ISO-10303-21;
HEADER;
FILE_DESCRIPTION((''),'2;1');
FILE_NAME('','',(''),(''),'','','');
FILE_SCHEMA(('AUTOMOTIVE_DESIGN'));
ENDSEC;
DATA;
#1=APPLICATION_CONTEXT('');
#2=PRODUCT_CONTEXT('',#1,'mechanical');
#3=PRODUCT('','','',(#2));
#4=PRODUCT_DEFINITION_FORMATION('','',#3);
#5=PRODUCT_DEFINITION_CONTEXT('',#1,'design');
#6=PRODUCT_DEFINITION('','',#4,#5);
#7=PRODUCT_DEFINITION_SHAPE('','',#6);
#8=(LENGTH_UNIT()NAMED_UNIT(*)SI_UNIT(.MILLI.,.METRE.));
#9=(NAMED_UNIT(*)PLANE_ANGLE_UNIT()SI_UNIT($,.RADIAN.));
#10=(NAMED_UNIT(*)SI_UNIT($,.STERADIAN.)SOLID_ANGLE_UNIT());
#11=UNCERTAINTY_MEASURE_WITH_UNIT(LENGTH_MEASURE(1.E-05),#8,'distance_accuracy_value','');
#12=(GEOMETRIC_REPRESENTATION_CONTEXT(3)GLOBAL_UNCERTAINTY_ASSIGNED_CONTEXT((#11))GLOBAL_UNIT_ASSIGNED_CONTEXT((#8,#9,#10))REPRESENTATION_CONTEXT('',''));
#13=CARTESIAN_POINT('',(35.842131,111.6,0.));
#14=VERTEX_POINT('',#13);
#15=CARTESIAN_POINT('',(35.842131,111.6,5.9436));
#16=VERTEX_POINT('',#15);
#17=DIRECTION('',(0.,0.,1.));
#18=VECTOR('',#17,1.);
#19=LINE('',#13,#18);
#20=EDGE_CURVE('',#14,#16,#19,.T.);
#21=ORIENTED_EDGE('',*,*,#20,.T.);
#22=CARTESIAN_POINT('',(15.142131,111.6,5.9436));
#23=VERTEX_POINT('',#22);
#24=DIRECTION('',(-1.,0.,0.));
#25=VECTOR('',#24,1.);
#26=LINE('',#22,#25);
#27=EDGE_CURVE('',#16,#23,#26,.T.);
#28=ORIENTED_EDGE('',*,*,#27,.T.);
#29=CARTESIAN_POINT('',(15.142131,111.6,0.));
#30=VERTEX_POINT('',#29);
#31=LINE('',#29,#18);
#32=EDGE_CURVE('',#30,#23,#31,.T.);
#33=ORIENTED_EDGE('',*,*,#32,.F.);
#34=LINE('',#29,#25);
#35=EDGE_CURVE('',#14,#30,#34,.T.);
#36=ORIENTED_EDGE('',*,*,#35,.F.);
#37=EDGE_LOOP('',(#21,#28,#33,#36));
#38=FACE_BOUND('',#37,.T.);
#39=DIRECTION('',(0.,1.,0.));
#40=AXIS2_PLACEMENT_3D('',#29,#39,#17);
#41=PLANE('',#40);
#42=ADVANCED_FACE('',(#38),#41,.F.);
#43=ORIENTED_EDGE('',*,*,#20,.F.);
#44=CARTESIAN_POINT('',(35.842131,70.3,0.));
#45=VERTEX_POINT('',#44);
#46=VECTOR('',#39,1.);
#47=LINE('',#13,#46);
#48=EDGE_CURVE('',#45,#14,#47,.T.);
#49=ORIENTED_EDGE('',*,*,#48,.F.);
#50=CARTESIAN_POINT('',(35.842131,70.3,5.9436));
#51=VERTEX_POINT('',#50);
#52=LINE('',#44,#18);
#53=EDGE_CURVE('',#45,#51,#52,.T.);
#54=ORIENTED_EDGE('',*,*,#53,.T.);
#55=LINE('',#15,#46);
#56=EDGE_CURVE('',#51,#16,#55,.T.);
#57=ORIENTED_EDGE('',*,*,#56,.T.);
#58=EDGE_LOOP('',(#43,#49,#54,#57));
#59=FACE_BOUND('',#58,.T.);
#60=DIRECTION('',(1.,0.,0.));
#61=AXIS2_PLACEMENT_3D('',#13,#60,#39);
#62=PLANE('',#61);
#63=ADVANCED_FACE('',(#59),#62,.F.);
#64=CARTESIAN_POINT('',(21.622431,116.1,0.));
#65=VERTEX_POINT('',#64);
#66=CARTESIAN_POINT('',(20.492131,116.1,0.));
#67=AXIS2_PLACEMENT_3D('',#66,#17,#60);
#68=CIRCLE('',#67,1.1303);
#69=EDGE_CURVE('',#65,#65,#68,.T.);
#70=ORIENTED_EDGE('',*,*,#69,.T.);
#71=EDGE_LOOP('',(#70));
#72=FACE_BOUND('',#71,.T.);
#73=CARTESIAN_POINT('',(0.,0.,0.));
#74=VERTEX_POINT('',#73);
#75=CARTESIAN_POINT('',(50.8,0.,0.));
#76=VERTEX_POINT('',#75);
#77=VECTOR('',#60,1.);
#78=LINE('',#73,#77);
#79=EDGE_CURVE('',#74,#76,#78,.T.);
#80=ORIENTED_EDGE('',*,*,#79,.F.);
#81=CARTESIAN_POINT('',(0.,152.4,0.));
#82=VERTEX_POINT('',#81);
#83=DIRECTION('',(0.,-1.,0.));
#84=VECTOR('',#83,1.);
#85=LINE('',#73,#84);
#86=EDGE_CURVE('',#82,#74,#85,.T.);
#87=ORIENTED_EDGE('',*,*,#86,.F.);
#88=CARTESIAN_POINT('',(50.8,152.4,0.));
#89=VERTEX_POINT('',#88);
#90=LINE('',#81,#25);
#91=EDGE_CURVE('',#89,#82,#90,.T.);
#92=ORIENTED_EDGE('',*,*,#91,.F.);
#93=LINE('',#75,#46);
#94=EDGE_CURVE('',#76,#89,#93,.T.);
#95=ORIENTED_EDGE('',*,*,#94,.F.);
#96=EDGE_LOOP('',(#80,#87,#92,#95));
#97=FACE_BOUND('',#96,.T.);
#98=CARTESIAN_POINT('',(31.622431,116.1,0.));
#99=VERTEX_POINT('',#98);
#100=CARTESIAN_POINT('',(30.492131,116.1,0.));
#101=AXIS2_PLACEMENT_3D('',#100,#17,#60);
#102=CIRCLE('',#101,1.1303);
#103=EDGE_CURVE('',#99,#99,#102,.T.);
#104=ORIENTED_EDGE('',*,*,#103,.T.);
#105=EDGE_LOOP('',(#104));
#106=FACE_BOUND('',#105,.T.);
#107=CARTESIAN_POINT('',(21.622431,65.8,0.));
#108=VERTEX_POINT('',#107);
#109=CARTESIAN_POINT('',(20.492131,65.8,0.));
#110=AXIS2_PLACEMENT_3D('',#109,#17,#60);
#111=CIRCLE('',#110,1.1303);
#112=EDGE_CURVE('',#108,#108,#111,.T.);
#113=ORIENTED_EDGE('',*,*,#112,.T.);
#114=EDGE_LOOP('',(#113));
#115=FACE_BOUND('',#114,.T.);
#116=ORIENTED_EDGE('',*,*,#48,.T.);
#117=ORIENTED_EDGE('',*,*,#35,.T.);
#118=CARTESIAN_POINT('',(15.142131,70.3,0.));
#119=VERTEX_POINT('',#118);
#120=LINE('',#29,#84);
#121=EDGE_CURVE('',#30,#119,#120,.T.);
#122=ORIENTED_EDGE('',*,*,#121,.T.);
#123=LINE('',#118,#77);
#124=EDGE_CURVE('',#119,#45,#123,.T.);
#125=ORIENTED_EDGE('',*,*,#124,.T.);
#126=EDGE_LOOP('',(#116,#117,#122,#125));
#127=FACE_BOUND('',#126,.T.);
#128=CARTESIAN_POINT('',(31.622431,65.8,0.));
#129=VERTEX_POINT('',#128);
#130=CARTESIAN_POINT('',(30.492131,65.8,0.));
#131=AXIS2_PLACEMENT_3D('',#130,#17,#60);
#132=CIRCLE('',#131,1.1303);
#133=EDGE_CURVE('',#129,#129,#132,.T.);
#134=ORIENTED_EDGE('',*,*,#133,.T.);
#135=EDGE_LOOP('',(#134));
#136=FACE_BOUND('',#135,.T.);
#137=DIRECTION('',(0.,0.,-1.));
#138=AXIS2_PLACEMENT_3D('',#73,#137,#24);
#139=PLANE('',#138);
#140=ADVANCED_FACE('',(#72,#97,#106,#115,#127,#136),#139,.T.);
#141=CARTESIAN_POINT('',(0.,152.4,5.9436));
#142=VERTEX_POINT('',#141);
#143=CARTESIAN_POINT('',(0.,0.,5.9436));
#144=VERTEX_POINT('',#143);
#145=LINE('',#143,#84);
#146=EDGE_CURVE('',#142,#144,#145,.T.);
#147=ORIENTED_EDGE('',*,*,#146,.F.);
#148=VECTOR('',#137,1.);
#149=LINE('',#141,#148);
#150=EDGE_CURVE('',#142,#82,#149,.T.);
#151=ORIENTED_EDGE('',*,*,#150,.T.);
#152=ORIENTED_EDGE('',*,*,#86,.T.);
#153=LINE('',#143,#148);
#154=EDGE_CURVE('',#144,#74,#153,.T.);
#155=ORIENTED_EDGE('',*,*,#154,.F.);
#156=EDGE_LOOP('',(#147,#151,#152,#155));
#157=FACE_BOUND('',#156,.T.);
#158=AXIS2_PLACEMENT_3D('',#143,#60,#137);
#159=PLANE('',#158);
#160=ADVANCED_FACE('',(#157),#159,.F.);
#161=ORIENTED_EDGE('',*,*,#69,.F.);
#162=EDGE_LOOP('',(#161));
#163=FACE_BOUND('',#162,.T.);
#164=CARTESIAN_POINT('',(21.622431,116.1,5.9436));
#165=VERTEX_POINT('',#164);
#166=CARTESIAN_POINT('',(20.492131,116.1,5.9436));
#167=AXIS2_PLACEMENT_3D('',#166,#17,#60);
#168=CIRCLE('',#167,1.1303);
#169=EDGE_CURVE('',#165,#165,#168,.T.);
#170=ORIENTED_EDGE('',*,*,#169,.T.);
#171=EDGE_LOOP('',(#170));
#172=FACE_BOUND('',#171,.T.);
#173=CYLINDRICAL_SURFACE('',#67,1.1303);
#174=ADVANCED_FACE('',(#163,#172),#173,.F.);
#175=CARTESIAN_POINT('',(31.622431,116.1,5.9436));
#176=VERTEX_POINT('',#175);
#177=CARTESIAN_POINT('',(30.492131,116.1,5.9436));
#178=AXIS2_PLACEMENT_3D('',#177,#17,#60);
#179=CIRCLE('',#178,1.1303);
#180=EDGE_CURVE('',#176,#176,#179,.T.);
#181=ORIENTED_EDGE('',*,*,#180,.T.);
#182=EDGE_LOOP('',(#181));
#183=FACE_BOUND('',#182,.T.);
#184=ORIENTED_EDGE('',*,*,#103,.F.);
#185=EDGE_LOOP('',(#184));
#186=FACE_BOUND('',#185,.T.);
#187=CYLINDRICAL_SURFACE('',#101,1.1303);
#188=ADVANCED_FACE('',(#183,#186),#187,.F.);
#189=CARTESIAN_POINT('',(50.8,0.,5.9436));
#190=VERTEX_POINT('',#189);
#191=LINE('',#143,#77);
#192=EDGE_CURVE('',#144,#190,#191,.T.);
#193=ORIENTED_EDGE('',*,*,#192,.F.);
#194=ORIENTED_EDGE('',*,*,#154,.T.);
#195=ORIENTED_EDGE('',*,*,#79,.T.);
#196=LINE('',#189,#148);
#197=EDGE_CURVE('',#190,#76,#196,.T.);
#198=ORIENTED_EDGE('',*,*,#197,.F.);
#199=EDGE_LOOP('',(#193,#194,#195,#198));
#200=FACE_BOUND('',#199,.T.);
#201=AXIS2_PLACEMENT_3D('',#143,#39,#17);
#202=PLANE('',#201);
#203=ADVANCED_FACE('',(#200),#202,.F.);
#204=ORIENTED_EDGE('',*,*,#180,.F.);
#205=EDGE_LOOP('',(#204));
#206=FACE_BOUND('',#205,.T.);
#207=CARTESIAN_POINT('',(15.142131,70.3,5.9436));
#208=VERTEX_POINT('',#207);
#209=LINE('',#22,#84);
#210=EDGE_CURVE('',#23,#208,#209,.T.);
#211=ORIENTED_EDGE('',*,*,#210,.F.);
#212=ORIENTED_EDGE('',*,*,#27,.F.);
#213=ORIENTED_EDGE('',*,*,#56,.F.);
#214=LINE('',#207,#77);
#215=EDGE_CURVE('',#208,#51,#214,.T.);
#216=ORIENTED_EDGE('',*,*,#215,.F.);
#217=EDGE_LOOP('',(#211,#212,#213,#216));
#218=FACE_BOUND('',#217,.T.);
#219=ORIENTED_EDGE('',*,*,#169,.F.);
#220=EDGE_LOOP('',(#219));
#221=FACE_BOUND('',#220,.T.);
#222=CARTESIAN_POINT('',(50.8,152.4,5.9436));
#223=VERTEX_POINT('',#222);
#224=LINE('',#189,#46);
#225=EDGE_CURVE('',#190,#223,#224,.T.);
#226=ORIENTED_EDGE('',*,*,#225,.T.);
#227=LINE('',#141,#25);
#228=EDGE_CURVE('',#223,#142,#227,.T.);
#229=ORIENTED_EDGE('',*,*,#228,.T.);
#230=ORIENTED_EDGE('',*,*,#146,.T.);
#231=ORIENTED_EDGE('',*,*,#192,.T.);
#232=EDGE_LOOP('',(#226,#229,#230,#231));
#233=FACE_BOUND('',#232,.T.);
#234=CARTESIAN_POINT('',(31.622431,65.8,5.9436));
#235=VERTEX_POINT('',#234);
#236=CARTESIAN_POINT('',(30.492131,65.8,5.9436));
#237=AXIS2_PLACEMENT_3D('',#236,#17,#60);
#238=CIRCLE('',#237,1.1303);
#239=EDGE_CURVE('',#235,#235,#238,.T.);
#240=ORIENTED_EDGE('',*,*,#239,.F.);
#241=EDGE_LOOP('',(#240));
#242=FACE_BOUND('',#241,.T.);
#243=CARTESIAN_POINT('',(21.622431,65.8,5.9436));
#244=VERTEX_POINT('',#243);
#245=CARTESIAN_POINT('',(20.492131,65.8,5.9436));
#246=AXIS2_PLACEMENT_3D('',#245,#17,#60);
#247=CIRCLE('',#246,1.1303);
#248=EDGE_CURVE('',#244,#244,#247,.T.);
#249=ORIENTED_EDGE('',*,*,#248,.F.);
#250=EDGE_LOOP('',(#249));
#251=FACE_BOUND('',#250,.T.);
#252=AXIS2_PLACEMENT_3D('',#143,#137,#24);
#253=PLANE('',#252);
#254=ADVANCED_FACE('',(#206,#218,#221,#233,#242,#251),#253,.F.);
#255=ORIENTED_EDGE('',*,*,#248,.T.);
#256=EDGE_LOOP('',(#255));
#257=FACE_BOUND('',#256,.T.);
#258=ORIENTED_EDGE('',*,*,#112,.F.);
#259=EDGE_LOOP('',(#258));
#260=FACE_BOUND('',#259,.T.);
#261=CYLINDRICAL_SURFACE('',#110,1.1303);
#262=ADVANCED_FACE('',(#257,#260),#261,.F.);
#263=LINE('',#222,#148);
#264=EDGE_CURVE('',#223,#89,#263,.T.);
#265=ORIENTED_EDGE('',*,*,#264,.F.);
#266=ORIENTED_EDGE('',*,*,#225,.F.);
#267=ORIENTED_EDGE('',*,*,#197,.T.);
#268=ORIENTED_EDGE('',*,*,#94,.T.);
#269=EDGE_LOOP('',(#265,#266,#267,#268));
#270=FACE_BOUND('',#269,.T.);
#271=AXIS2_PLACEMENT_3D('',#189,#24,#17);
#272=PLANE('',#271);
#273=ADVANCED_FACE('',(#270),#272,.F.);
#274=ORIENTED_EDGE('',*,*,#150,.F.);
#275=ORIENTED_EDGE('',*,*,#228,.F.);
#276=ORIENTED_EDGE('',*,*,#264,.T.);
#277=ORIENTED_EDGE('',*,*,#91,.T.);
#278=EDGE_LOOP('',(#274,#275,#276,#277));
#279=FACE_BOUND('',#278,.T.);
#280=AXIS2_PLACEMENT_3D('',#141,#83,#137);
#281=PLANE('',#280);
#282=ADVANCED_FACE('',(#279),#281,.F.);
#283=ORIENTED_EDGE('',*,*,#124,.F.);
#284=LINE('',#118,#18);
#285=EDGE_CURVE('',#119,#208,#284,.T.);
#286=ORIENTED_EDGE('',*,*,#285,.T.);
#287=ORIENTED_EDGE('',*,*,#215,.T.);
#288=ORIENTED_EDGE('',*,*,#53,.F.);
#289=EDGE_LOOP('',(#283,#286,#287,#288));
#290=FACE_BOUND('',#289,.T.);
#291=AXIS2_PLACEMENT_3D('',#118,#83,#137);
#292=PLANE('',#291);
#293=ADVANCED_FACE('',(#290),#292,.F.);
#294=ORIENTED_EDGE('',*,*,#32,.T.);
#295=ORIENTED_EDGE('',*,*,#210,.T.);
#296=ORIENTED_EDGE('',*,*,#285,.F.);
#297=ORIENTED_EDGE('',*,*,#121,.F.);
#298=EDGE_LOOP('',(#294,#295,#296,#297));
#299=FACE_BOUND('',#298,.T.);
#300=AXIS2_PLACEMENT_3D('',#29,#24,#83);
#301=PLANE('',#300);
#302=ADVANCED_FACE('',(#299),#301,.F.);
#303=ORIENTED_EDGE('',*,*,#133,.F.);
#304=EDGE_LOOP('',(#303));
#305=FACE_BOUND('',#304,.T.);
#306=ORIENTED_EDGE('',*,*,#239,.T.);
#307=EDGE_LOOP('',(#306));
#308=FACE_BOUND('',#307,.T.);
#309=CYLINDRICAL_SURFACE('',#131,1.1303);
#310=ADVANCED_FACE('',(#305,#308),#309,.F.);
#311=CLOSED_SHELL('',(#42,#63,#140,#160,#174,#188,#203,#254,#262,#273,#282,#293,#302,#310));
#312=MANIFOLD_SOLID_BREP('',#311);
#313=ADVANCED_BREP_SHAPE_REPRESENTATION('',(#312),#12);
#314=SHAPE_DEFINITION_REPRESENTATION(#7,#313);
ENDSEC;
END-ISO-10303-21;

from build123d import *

# Parameters (mm, degrees)
SKETCH1_W           = 50.8
SKETCH1_H           = 152.4
BOSS_EXTRUDE1_DEPTH = 5.9436
SKETCH2_R           = 1.1303
SKETCH2_W           = 20.7
SKETCH2_H           = 41.3
CUT_EXTRUDE1_DEPTH  = 6.9436


with BuildPart() as part:
    # Sketch1 → Boss-Extrude1 (new body)
    with BuildSketch(Plane.XY):
        with Locations((25.4, 76.2)):
            Rectangle(SKETCH1_W, SKETCH1_H)
    extrude(amount=BOSS_EXTRUDE1_DEPTH)

    # Sketch2 → Cut-Extrude1 (cut, through all)
    with BuildSketch(Plane.XY.offset(5.9436)):
        with Locations((20.492131346, 116.1)):
            Circle(SKETCH2_R)
        with Locations((30.492131346, 116.1)):
            Circle(SKETCH2_R)
        with Locations((20.492131346, 65.8)):
            Circle(SKETCH2_R)
        with Locations((30.492131346, 65.8)):
            Circle(SKETCH2_R)
        with Locations((25.492131346, 90.95)):
            Rectangle(SKETCH2_W, SKETCH2_H)
    extrude(amount=-CUT_EXTRUDE1_DEPTH, mode=Mode.SUBTRACT)


solid = part.part
